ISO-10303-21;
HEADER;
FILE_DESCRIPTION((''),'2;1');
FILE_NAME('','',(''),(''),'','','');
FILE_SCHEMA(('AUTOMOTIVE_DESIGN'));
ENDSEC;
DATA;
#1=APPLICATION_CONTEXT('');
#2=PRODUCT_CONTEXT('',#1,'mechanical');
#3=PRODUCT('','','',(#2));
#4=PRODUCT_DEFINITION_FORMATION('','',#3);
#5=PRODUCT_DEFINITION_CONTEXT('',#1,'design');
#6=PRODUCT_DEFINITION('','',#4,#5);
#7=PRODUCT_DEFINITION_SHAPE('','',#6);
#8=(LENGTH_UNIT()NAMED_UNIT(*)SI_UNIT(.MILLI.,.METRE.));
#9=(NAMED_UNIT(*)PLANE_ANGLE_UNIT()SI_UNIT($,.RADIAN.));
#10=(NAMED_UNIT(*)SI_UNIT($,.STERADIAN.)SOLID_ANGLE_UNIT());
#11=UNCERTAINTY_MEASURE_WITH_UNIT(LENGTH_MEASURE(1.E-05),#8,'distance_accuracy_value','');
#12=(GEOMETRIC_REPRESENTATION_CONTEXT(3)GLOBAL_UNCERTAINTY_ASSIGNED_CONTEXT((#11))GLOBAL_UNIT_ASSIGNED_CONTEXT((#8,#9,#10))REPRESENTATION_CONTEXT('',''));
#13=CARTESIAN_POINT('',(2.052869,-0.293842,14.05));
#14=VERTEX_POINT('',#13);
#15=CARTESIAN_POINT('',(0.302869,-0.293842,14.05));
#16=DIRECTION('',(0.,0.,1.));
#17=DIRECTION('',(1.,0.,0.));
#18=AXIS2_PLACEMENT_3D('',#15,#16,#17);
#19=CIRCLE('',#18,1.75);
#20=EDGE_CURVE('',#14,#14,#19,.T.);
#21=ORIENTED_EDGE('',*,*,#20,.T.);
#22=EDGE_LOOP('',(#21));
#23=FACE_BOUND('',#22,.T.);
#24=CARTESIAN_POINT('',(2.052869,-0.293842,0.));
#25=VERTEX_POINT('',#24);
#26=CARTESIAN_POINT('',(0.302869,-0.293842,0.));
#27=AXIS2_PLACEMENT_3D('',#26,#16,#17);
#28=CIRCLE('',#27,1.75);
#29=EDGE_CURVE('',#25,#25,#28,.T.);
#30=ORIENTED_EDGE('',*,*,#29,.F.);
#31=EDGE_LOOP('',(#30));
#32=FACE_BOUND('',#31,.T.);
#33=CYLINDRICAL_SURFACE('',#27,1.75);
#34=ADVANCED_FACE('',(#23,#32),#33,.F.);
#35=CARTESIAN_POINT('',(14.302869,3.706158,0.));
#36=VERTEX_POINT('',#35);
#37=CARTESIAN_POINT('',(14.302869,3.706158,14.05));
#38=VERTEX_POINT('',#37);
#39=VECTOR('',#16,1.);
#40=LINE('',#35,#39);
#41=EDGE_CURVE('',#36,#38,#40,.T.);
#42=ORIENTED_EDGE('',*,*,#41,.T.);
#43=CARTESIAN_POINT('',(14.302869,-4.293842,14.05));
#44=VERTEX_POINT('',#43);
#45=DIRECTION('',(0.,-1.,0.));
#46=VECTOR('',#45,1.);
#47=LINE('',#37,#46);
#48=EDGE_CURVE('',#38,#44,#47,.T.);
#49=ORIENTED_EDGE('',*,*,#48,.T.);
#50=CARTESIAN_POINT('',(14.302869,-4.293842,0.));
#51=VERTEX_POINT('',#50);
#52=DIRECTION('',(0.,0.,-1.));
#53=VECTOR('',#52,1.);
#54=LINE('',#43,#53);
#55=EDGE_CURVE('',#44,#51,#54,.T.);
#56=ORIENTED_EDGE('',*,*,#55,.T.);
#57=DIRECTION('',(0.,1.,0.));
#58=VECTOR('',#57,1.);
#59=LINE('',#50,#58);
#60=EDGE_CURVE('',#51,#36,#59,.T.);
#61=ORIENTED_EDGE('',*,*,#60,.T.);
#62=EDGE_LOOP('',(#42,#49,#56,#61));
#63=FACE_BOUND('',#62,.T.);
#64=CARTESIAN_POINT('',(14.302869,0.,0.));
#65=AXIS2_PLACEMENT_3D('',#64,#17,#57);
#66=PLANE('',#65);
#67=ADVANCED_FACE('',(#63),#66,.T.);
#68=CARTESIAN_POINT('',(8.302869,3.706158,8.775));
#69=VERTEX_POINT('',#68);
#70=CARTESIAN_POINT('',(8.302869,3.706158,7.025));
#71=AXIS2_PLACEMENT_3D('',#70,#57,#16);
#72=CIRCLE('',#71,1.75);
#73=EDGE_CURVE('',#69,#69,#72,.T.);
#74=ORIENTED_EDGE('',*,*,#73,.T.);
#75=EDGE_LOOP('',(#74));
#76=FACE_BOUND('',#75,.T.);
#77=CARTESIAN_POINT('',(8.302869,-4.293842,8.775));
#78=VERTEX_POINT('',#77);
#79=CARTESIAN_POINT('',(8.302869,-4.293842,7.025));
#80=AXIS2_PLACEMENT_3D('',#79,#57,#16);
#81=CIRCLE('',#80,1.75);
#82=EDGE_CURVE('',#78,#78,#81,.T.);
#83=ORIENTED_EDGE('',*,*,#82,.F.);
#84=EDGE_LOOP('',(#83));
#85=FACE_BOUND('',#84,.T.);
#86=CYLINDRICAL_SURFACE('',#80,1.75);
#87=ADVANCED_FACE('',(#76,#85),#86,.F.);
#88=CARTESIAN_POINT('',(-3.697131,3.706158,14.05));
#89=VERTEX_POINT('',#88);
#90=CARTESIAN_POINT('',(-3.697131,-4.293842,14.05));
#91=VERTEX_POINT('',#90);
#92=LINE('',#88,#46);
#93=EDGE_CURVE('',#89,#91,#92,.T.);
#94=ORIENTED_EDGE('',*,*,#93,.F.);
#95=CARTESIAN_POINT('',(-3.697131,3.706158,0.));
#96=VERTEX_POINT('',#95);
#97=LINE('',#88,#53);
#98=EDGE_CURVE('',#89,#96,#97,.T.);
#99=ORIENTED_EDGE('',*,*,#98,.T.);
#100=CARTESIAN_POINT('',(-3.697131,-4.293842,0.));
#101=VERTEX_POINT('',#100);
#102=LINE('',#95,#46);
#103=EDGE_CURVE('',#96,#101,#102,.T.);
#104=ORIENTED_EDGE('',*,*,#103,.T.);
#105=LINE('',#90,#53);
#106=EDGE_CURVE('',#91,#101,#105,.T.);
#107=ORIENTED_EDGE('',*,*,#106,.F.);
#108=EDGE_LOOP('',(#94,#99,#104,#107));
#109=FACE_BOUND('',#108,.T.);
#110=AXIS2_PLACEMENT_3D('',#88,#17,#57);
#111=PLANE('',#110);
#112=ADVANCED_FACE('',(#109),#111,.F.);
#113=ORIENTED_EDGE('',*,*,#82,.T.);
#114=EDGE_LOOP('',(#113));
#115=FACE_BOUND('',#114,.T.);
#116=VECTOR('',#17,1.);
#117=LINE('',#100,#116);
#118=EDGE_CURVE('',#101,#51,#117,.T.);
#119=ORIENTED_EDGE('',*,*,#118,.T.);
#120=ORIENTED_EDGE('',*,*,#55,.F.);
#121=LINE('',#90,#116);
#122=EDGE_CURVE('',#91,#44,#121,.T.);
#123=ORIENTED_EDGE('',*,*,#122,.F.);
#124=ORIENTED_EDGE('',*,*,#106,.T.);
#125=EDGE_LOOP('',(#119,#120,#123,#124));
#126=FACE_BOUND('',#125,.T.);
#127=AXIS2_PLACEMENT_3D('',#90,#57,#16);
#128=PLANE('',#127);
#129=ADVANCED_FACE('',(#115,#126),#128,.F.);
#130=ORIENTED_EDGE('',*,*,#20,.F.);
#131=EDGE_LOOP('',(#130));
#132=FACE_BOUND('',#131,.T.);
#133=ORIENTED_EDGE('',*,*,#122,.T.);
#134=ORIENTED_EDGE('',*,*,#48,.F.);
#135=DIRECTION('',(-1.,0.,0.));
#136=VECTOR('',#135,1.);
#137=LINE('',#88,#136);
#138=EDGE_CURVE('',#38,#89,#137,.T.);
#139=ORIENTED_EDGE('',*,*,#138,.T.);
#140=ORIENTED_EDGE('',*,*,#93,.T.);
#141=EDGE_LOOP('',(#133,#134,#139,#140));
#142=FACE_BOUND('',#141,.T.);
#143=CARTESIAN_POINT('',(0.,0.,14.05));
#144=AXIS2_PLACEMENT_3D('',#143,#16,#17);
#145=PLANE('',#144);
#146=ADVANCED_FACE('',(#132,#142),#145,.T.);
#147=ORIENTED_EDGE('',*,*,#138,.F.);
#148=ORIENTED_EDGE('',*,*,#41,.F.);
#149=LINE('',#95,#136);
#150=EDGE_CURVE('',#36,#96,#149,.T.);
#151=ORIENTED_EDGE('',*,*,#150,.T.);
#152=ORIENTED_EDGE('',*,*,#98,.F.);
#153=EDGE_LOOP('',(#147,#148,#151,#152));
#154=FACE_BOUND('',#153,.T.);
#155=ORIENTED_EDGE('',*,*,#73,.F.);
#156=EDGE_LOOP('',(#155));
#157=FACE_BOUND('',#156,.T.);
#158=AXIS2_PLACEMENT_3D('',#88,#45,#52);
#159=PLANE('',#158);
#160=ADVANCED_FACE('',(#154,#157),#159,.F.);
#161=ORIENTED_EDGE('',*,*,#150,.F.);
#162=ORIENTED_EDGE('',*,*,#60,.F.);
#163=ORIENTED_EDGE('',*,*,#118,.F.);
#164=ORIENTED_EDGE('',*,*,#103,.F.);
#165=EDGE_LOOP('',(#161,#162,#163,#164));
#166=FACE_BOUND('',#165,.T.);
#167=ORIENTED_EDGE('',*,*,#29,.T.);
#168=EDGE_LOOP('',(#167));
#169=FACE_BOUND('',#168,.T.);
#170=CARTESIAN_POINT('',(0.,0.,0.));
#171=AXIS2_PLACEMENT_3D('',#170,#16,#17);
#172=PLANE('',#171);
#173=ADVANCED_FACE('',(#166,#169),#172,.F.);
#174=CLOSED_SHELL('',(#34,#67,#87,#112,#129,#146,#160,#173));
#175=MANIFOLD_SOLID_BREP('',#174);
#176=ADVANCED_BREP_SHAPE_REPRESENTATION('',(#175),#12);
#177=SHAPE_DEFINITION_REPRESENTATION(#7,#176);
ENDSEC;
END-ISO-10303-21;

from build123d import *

# Parameters (mm, degrees)
SKETCH1_W           = 8
SKETCH1_H           = 8
BOSS_EXTRUDE1_DEPTH = 14.05
SKETCH2_R           = 1.75
CUT_EXTRUDE1_DEPTH  = 16.308633478
SKETCH3_W           = 14.05
SKETCH3_H           = 8
BOSS_EXTRUDE2_DEPTH = 10
SKETCH4_R           = 1.75
CUT_EXTRUDE2_DEPTH  = 22.586444055


with BuildPart() as part:
    # Sketch1 → Boss-Extrude1 (new body)
    with BuildSketch(Plane.XY):
        with Locations((0.302869186, -0.293841606)):
            Rectangle(SKETCH1_W, SKETCH1_H)
    extrude(amount=BOSS_EXTRUDE1_DEPTH)

    # Sketch2 → Cut-Extrude1 (cut, through all)
    with BuildSketch(Plane.XY.offset(14.05)):
        with Locations((0.302869186, -0.293841606)):
            Circle(SKETCH2_R)
    extrude(amount=-CUT_EXTRUDE1_DEPTH, mode=Mode.SUBTRACT)

    # Sketch3 → Boss-Extrude2 (add)
    with BuildSketch(Plane(origin=(4.302869186, 0, 0), x_dir=(0, 0, -1), z_dir=(1, 0, 0))):
        with Locations((-7.025, -0.293841606)):
            Rectangle(SKETCH3_W, SKETCH3_H)
    extrude(amount=BOSS_EXTRUDE2_DEPTH)

    # Sketch4 → Cut-Extrude2 (cut, through all)
    with BuildSketch(Plane(origin=(0, 3.706158394, 0), x_dir=(1, 0, 0), z_dir=(0, 1, 0))):
        with Locations(Location((8.302869186, -7.025, 0), (0, 0, 270))):
            Circle(SKETCH4_R)
    extrude(amount=-CUT_EXTRUDE2_DEPTH, mode=Mode.SUBTRACT)


solid = part.part
